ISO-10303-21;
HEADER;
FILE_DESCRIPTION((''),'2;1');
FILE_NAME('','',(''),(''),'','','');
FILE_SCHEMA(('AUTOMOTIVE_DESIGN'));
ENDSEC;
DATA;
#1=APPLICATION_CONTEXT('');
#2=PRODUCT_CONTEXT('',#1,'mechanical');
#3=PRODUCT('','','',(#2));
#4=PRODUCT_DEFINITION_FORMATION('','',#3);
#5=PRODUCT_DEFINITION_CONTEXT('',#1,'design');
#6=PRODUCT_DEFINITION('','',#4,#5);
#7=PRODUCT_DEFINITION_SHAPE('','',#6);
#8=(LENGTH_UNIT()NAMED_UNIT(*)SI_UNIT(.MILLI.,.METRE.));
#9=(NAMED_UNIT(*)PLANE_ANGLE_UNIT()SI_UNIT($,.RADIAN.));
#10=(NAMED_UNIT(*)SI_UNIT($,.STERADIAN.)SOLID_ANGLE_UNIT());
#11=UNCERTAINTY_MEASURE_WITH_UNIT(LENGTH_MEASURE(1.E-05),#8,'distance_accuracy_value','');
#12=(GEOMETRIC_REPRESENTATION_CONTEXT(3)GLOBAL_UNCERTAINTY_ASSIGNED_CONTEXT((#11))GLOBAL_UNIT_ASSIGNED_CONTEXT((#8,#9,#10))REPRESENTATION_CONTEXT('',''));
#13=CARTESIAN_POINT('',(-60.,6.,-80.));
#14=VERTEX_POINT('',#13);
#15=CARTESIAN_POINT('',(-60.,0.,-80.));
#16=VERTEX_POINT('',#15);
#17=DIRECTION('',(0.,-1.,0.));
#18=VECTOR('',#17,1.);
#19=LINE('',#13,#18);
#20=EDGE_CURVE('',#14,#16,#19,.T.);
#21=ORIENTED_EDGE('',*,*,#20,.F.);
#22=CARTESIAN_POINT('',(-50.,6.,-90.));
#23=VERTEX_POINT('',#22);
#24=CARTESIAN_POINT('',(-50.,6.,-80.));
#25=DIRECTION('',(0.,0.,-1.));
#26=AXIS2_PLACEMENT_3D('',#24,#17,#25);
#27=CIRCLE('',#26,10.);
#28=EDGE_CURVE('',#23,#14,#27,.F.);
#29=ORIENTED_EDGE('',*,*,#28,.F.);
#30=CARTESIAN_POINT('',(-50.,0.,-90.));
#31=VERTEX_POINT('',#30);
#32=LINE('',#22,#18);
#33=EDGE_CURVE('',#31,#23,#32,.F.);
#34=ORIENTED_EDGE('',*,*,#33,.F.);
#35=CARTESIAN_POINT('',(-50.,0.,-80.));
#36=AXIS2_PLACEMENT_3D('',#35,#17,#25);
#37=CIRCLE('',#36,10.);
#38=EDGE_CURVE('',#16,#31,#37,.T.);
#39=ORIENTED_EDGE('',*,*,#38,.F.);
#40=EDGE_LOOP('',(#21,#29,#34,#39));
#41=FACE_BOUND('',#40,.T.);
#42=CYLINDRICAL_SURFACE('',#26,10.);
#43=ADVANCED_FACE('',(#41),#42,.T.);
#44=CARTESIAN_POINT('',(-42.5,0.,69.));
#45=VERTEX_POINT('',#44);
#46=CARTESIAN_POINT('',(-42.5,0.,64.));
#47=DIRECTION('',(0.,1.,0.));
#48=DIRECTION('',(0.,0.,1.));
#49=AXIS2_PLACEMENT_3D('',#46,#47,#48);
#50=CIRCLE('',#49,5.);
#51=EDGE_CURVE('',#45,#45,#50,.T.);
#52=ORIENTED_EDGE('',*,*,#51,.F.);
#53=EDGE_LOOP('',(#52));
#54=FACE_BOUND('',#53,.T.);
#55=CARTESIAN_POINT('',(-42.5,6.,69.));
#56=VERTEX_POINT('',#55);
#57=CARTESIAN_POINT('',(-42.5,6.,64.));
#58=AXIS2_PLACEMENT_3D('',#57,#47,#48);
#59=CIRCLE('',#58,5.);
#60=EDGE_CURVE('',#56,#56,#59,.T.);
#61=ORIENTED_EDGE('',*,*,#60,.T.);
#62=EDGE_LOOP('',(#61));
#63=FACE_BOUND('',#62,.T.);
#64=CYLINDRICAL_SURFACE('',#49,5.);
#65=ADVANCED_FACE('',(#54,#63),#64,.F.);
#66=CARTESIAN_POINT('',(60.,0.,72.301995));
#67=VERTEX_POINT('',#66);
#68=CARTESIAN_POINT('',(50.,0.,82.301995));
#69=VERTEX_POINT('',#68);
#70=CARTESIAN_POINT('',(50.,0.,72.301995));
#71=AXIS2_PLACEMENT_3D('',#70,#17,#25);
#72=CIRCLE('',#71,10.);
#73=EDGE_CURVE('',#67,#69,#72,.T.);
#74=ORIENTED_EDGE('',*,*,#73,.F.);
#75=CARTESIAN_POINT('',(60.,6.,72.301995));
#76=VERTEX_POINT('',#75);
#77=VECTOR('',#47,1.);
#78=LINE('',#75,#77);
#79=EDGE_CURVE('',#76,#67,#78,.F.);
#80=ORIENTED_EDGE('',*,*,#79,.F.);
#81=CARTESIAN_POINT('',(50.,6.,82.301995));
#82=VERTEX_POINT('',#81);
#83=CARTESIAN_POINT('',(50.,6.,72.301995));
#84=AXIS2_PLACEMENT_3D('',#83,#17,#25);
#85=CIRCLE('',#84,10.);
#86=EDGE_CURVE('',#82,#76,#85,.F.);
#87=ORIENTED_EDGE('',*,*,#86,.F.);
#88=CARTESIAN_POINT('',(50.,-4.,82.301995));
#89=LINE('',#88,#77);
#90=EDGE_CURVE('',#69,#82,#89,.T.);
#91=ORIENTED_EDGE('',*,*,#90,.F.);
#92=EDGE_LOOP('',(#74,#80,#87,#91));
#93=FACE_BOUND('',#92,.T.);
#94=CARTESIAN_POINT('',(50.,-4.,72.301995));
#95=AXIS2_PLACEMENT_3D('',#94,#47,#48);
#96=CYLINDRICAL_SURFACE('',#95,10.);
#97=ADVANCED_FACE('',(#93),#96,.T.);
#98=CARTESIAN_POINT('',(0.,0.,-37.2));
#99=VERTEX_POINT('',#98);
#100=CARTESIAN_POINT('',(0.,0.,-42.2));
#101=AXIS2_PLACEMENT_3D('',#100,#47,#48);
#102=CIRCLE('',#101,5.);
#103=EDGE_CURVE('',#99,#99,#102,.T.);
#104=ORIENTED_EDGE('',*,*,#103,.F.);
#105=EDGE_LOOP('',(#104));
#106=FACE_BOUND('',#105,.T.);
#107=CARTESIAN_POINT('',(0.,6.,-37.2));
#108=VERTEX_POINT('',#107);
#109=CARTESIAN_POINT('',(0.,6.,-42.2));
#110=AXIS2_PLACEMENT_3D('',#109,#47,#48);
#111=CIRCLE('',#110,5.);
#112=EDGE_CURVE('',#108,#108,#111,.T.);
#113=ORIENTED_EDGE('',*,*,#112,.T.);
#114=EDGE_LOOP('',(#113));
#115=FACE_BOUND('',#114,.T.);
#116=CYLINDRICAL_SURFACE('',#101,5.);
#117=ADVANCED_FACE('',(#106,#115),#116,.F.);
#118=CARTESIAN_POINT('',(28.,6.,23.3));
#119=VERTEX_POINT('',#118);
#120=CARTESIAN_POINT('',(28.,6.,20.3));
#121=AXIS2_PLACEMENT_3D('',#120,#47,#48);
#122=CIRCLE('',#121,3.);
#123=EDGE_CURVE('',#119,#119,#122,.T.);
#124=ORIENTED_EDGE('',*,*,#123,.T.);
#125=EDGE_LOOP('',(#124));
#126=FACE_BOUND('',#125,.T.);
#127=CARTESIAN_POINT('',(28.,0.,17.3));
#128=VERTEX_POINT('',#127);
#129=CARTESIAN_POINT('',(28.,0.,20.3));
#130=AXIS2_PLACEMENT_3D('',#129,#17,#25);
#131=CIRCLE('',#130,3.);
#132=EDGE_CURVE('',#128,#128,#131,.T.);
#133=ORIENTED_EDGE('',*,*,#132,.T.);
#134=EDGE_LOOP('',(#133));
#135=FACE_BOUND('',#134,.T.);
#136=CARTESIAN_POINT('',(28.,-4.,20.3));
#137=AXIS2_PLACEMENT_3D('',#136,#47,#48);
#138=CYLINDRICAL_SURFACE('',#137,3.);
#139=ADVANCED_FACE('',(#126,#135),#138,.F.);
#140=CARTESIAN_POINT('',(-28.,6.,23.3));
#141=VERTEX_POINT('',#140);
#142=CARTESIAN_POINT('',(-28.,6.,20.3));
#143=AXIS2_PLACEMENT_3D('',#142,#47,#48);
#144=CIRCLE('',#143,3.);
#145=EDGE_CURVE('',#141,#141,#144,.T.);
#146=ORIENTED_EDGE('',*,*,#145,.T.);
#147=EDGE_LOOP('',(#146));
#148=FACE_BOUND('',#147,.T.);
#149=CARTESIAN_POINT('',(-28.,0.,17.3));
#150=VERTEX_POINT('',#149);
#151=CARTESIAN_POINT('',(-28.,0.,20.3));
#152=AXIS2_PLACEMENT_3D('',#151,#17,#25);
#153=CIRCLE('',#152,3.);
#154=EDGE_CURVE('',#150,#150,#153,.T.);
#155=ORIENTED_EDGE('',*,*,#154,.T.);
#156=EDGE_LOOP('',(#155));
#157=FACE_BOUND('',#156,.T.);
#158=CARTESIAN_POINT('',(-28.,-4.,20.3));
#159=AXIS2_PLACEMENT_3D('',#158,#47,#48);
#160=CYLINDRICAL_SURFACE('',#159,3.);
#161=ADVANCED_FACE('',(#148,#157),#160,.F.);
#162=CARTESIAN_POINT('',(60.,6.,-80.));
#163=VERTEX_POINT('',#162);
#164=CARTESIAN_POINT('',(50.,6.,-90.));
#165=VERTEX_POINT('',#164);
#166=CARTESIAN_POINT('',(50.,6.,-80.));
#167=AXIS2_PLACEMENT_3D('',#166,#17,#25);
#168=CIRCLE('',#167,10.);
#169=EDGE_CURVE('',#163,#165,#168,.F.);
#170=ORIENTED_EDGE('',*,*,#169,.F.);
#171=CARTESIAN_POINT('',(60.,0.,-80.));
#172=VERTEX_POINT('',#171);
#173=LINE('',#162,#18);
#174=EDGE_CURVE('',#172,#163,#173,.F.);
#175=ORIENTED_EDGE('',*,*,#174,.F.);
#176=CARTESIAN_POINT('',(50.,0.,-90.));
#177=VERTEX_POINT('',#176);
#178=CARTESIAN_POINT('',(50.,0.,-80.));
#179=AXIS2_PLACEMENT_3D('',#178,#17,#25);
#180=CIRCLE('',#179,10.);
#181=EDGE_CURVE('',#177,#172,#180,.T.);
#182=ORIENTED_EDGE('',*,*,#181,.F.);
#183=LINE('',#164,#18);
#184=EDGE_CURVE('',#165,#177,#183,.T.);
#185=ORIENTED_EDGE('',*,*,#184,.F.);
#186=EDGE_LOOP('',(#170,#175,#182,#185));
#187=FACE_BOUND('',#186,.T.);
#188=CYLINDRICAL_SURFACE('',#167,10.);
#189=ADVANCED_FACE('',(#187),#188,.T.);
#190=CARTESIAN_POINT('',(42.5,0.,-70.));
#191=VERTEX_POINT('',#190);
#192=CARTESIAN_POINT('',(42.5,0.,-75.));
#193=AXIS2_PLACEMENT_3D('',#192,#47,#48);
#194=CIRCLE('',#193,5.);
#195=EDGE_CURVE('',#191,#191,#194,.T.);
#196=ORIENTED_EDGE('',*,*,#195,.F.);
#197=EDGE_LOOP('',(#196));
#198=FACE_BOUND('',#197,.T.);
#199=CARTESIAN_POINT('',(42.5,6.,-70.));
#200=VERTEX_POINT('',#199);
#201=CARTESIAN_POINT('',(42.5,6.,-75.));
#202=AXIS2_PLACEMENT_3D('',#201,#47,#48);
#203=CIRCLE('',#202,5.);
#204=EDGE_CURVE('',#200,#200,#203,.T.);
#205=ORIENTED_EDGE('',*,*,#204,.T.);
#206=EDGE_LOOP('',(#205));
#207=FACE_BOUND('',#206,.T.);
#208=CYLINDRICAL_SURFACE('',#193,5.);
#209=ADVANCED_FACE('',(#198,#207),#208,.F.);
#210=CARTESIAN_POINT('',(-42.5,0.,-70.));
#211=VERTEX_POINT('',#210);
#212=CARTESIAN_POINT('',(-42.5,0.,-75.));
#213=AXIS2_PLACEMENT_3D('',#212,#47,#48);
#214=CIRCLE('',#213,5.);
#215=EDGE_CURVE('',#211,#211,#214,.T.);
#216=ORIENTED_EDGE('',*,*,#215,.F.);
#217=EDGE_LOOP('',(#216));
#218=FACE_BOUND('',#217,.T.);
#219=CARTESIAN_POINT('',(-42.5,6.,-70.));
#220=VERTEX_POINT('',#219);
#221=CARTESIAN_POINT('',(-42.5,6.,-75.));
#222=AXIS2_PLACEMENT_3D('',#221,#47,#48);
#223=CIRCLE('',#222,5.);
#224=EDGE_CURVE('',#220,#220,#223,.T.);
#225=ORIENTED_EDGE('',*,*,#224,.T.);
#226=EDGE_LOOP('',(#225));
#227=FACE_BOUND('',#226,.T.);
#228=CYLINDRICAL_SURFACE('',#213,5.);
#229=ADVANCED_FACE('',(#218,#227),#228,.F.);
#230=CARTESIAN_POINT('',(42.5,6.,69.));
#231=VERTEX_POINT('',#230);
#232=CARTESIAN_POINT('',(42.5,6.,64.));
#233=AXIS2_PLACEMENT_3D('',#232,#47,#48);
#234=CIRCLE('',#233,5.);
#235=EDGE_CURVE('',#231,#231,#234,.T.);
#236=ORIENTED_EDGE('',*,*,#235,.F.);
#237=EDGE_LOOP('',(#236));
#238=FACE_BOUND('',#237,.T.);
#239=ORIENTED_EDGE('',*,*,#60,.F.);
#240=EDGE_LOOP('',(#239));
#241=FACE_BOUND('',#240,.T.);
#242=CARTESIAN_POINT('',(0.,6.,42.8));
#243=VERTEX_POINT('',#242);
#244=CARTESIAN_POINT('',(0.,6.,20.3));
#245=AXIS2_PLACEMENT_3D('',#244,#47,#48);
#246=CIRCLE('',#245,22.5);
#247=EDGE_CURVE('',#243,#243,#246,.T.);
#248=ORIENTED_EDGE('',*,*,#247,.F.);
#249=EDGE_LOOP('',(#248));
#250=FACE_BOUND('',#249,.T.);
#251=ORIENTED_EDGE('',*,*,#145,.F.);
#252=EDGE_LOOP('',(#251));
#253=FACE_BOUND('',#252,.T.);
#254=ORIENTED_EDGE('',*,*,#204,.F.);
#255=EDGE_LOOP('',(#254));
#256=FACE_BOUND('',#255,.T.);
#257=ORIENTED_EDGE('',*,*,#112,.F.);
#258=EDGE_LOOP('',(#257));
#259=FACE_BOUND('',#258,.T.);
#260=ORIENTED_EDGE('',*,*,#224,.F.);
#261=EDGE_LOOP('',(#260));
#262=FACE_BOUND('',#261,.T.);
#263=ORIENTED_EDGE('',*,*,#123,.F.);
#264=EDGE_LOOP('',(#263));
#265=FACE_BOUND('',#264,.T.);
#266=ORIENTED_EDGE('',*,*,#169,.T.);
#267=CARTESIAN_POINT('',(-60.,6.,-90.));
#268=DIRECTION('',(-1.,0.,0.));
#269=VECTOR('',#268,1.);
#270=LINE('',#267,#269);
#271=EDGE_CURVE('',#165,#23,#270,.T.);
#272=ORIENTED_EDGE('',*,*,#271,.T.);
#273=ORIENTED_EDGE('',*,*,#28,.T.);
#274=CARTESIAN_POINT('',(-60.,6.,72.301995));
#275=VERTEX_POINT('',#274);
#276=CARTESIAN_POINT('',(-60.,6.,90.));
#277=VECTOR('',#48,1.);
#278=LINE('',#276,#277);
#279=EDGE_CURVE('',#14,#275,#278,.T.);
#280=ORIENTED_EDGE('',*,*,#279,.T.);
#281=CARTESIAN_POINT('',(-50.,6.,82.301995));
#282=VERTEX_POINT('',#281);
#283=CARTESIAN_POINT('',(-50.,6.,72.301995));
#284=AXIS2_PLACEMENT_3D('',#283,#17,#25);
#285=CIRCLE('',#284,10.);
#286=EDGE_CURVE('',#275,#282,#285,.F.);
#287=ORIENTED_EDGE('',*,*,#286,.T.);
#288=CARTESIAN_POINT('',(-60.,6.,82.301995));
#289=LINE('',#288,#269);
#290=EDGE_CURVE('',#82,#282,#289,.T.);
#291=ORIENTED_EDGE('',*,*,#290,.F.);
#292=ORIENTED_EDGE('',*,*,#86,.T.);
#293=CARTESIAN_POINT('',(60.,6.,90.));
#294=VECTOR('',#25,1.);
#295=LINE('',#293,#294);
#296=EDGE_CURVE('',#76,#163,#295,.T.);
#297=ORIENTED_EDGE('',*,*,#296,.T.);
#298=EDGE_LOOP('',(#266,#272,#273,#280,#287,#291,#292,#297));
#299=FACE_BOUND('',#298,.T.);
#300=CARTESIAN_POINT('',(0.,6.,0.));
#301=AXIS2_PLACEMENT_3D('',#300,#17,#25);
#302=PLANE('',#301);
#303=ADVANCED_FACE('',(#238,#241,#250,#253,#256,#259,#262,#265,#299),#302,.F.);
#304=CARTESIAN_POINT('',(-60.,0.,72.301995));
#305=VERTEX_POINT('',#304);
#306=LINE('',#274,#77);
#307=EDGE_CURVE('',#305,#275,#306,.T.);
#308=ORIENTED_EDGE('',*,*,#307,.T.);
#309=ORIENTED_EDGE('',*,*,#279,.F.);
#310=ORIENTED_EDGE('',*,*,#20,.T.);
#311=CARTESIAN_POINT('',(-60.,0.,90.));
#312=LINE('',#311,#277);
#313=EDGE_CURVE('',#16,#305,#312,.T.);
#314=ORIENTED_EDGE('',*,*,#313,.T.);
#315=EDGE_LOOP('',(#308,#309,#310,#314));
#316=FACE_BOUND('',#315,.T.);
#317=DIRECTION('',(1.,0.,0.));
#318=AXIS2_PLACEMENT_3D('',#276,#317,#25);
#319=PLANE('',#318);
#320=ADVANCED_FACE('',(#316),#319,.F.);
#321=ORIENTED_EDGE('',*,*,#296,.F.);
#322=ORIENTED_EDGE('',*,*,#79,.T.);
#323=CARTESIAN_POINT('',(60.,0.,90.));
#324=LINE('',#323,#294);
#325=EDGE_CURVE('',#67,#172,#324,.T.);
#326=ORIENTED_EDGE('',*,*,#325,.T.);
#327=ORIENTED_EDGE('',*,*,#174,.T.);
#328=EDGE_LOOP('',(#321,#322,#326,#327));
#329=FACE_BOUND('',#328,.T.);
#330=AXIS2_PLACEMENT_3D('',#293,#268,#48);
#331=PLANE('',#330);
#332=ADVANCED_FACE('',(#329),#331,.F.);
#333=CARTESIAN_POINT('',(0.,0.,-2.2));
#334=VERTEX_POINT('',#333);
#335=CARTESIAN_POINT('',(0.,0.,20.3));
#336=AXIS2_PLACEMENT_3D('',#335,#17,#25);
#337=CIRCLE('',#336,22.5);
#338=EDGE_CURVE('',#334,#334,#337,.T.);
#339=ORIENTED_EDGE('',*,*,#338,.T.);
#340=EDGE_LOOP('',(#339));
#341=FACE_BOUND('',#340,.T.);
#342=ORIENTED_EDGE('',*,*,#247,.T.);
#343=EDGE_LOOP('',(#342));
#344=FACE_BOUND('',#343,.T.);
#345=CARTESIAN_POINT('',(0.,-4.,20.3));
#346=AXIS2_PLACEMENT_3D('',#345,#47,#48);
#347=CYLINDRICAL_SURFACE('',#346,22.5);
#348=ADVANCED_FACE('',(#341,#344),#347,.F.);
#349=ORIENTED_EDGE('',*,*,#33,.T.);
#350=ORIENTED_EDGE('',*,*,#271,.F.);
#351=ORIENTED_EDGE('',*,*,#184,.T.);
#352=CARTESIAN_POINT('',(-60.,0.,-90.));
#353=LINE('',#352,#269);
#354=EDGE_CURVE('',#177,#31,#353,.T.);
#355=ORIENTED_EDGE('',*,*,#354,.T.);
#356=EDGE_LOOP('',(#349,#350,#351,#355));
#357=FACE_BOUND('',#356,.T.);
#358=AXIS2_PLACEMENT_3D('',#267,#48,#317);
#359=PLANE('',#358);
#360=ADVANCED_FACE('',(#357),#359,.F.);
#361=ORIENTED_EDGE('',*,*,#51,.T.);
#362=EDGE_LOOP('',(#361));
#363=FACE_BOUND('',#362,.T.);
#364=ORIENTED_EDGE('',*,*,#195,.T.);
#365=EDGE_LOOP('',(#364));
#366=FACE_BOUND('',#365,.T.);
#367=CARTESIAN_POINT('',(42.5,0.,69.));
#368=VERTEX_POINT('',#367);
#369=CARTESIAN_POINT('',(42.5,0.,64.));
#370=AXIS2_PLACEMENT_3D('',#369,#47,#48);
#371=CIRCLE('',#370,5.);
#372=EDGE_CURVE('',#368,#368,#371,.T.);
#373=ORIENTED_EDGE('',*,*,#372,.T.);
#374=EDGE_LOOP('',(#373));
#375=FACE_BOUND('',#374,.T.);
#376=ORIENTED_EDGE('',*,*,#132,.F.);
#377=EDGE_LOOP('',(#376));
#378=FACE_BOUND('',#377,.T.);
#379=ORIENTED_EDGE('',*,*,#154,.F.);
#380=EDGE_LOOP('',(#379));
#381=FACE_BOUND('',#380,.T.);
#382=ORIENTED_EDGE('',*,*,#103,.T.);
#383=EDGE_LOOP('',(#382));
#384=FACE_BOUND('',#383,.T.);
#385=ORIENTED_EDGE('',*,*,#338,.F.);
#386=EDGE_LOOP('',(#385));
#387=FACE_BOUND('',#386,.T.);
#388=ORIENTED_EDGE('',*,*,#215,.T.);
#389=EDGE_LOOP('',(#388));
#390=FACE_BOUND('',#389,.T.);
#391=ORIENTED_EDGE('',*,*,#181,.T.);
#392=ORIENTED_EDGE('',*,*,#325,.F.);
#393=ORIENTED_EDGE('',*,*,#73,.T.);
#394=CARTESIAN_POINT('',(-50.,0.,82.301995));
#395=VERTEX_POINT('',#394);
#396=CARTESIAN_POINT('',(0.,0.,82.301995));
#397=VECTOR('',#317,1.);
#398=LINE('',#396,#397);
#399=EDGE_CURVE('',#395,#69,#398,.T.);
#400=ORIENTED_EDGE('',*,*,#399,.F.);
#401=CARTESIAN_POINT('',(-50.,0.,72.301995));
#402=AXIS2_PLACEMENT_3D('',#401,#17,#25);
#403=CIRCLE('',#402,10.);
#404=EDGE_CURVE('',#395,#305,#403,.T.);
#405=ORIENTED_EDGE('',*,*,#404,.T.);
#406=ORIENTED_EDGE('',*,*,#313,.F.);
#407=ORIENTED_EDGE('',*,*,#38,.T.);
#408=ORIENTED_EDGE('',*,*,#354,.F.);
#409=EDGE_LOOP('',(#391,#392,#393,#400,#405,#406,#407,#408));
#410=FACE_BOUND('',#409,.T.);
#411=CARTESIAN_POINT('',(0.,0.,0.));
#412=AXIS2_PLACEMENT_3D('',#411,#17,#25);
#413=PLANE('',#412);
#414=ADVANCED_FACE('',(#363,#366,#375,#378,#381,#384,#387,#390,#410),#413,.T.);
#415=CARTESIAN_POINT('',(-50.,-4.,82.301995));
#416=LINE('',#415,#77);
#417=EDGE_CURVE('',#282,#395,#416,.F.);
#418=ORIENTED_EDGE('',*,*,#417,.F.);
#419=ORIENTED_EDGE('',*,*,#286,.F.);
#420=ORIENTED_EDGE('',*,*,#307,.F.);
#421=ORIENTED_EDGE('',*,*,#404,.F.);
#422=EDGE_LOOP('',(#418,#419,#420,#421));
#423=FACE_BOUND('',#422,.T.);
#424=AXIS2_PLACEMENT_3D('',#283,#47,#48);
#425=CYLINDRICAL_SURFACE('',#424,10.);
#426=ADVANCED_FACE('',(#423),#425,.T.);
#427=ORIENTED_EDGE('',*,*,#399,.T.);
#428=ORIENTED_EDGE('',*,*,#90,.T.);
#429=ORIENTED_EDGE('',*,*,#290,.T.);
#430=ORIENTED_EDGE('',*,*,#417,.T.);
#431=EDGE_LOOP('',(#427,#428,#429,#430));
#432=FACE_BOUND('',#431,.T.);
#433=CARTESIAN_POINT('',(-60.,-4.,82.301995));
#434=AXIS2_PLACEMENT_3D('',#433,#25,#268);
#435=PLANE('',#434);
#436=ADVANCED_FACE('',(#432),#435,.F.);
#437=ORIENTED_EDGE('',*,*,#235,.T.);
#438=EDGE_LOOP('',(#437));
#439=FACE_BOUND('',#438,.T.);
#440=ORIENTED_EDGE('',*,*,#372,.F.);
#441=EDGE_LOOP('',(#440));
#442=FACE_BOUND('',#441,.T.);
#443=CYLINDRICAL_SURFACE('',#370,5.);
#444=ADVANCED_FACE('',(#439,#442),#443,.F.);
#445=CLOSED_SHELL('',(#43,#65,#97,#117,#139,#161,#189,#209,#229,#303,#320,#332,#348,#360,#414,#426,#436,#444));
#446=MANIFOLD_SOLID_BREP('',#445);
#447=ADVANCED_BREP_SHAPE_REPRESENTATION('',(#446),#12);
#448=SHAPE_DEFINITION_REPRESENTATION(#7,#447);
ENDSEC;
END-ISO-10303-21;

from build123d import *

# Parameters (mm, degrees)
SKETCH1_W           = 120
SKETCH1_H           = 180
BOSS_EXTRUDE1_DEPTH = 6
SKETCH2_R           = 5
CUT_EXTRUDE1_DEPTH  = 6
SKETCH4_R           = 22.5
SKETCH4_R_2         = 3
CUT_EXTRUDE3_DEPTH  = 10
SKETCH5_W           = 120
SKETCH5_H           = 7.698004818
CUT_EXTRUDE4_DEPTH  = 10
FILLET1_R           = 10


with BuildPart() as part:
    # Sketch1 → Boss-Extrude1 (new body)
    with BuildSketch(Plane(origin=(0, 0, 0), x_dir=(1, 0, 0), z_dir=(0, 1, 0))):
        Rectangle(SKETCH1_W, SKETCH1_H)
    extrude(amount=BOSS_EXTRUDE1_DEPTH)

    # Sketch2 → Cut-Extrude1 (cut)
    with BuildSketch(Plane(origin=(0, 6, 0), x_dir=(1, 0, 0), z_dir=(0, 1, 0))):
        with Locations(Location((-42.5, 75, 0), (0, 0, 270))):
            Circle(SKETCH2_R)
        with Locations(Location((42.5, 75, 0), (0, 0, 270))):
            Circle(SKETCH2_R)
        with Locations(Location((-42.5, -64, 0), (0, 0, 270))):
            Circle(SKETCH2_R)
        with Locations(Location((42.5, -64, 0), (0, 0, 270))):
            Circle(SKETCH2_R)
        with Locations(Location((0, 42.2, 0), (0, 0, 270))):
            Circle(SKETCH2_R)
    extrude(amount=-CUT_EXTRUDE1_DEPTH, mode=Mode.SUBTRACT)

    # Sketch4 → Cut-Extrude3 (cut)
    with BuildSketch(Plane(origin=(0, 6, 0), x_dir=(1, 0, 0), z_dir=(0, 1, 0))):
        with Locations(Location((0, -20.3, 0), (0, 0, 270))):
            Circle(SKETCH4_R)
        with Locations(Location((-28, -20.3, 0), (0, 0, 270))):
            Circle(SKETCH4_R_2)
        with Locations(Location((28, -20.3, 0), (0, 0, 270))):
            Circle(SKETCH4_R_2)
    extrude(amount=-CUT_EXTRUDE3_DEPTH, mode=Mode.SUBTRACT)

    # Sketch5 → Cut-Extrude4 (cut)
    with BuildSketch(Plane(origin=(0, 6, 0), x_dir=(1, 0, 0), z_dir=(0, 1, 0))):
        with Locations((0, -86.150997591)):
            Rectangle(SKETCH5_W, SKETCH5_H)
    extrude(amount=-CUT_EXTRUDE4_DEPTH, mode=Mode.SUBTRACT)

    # Fillet1
    fillet1_edges = [part.edges().sort_by_distance(p)[0] for p in [
        (-60, 3, 82.301995182),
        (60, 3, 82.301995182),
        (-60, 3, -90),
        (60, 3, -90),
    ]]
    fillet(fillet1_edges, radius=FILLET1_R)


solid = part.part
